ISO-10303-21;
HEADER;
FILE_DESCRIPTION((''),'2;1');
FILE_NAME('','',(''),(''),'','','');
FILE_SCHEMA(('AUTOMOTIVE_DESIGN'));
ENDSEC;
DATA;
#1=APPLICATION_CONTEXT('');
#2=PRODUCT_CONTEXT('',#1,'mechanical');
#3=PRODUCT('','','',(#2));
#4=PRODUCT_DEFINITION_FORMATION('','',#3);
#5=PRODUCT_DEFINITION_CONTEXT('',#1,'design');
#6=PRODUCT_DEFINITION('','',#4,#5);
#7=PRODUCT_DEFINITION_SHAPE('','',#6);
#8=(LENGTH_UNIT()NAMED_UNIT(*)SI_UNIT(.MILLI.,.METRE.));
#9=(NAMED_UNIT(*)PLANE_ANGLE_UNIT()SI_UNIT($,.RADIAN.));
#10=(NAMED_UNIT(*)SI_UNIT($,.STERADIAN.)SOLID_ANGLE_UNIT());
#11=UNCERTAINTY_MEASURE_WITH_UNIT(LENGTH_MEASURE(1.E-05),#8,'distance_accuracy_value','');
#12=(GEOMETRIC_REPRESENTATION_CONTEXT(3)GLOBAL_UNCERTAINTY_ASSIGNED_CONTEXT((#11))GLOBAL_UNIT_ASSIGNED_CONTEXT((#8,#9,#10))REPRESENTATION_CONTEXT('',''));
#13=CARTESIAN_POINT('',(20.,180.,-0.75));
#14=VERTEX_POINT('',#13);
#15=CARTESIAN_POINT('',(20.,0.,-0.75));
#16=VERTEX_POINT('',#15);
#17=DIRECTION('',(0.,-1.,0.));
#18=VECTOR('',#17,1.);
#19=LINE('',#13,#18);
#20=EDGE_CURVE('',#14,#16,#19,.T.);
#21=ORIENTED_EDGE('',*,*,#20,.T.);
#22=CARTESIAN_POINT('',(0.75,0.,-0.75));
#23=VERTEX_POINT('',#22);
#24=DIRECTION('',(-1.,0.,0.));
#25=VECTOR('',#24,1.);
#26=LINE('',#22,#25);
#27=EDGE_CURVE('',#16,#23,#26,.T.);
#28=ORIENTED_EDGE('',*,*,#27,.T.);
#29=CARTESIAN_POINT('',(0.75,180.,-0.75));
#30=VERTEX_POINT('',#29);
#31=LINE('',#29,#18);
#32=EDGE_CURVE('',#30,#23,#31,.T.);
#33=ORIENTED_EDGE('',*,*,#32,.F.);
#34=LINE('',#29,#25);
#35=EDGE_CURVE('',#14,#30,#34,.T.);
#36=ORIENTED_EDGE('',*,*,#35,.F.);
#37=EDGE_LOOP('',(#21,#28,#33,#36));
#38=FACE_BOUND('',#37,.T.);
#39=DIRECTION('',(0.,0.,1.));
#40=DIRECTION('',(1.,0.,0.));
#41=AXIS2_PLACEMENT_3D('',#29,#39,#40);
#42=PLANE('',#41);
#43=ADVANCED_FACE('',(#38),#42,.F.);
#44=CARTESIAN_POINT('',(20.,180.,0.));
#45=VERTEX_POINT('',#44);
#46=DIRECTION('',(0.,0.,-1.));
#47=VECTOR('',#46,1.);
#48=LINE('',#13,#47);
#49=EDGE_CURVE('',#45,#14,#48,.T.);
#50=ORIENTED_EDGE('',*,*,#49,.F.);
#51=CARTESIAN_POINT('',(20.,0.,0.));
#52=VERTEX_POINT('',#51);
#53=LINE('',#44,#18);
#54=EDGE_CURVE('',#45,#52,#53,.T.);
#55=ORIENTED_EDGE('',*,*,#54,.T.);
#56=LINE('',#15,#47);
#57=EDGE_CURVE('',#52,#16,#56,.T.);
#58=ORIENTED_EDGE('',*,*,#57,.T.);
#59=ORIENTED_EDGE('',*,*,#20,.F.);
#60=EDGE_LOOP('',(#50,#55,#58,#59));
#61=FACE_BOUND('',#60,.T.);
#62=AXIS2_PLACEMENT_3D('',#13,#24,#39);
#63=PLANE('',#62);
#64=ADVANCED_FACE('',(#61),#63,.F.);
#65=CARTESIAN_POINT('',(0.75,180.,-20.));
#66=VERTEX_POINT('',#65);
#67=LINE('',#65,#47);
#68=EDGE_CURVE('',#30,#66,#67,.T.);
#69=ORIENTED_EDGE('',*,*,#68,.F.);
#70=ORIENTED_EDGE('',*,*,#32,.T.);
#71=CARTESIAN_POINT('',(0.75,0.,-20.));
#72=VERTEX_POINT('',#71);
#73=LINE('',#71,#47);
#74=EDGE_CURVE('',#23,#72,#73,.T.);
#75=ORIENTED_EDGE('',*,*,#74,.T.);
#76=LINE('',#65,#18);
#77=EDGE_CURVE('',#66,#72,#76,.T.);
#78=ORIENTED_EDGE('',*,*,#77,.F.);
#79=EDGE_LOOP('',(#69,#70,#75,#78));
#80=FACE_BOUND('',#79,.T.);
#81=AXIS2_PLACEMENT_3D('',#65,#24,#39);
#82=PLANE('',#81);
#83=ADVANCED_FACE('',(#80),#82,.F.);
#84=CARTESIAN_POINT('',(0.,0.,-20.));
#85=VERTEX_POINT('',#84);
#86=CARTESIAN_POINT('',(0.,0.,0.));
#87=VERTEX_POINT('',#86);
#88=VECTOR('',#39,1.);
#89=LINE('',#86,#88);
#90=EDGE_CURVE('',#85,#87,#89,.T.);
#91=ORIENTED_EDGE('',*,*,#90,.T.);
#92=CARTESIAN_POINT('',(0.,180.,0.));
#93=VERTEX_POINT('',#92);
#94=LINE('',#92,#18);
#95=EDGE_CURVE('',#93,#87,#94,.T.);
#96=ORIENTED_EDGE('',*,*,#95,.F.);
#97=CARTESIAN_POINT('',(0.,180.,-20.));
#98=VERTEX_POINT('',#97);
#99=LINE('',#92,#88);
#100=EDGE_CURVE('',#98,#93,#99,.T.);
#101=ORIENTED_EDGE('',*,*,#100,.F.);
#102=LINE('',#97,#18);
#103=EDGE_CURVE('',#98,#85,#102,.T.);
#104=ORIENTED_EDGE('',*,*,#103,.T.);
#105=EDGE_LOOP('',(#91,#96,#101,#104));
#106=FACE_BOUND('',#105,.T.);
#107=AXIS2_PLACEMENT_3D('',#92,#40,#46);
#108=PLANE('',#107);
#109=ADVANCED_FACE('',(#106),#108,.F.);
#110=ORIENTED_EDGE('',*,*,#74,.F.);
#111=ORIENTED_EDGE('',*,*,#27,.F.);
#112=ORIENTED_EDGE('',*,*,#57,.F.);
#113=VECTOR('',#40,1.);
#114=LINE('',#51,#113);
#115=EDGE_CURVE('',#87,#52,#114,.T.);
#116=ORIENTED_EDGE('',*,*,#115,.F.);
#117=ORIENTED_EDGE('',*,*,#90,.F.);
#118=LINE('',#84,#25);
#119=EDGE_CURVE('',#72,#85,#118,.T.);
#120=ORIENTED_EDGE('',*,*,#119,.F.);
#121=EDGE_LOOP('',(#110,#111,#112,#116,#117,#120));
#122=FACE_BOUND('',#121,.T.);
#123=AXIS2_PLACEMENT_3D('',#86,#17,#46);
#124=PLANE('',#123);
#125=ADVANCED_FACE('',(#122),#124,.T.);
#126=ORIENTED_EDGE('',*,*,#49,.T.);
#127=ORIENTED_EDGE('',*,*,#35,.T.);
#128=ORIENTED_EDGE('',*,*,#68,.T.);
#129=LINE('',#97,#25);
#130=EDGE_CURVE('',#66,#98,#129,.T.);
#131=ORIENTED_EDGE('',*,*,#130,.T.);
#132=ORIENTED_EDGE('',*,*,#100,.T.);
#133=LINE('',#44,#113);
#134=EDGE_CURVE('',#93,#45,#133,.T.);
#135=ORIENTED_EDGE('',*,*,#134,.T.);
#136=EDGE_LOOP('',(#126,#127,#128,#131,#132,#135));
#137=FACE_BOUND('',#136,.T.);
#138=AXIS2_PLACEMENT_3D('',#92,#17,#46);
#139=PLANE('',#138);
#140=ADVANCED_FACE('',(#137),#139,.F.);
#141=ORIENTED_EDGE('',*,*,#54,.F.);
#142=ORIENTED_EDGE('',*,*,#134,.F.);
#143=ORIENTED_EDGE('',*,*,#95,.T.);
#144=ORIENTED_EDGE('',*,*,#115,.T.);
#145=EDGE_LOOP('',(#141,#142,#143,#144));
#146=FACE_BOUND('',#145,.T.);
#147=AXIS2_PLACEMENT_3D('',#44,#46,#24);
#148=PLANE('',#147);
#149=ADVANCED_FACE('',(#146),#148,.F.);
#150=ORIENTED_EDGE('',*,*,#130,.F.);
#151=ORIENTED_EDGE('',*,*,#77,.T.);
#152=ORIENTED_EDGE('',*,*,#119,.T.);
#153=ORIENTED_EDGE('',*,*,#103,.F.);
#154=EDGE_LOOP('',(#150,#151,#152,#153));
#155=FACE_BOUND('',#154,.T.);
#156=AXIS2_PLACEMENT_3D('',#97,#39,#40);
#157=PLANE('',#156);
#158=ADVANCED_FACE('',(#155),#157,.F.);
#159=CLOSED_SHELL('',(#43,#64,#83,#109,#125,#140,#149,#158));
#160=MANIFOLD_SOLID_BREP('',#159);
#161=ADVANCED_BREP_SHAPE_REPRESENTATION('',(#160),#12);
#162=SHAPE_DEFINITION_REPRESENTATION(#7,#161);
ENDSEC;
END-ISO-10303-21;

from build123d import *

# Parameters (mm, degrees)
EXTRUDE_1_DEPTH = 180


with BuildPart() as part:
    # Эскиз1 → Бобышка-Вытянуть1 (new body)
    with BuildSketch(Plane(origin=(0, 0, 0), x_dir=(1, 0, 0), z_dir=(0, 1, 0))):
        Polygon((0, 0), (0, 20), (0.75, 20), (0.75, 0.75), (20, 0.75), (20, 0), align=None)
    extrude(amount=EXTRUDE_1_DEPTH)


solid = part.part
